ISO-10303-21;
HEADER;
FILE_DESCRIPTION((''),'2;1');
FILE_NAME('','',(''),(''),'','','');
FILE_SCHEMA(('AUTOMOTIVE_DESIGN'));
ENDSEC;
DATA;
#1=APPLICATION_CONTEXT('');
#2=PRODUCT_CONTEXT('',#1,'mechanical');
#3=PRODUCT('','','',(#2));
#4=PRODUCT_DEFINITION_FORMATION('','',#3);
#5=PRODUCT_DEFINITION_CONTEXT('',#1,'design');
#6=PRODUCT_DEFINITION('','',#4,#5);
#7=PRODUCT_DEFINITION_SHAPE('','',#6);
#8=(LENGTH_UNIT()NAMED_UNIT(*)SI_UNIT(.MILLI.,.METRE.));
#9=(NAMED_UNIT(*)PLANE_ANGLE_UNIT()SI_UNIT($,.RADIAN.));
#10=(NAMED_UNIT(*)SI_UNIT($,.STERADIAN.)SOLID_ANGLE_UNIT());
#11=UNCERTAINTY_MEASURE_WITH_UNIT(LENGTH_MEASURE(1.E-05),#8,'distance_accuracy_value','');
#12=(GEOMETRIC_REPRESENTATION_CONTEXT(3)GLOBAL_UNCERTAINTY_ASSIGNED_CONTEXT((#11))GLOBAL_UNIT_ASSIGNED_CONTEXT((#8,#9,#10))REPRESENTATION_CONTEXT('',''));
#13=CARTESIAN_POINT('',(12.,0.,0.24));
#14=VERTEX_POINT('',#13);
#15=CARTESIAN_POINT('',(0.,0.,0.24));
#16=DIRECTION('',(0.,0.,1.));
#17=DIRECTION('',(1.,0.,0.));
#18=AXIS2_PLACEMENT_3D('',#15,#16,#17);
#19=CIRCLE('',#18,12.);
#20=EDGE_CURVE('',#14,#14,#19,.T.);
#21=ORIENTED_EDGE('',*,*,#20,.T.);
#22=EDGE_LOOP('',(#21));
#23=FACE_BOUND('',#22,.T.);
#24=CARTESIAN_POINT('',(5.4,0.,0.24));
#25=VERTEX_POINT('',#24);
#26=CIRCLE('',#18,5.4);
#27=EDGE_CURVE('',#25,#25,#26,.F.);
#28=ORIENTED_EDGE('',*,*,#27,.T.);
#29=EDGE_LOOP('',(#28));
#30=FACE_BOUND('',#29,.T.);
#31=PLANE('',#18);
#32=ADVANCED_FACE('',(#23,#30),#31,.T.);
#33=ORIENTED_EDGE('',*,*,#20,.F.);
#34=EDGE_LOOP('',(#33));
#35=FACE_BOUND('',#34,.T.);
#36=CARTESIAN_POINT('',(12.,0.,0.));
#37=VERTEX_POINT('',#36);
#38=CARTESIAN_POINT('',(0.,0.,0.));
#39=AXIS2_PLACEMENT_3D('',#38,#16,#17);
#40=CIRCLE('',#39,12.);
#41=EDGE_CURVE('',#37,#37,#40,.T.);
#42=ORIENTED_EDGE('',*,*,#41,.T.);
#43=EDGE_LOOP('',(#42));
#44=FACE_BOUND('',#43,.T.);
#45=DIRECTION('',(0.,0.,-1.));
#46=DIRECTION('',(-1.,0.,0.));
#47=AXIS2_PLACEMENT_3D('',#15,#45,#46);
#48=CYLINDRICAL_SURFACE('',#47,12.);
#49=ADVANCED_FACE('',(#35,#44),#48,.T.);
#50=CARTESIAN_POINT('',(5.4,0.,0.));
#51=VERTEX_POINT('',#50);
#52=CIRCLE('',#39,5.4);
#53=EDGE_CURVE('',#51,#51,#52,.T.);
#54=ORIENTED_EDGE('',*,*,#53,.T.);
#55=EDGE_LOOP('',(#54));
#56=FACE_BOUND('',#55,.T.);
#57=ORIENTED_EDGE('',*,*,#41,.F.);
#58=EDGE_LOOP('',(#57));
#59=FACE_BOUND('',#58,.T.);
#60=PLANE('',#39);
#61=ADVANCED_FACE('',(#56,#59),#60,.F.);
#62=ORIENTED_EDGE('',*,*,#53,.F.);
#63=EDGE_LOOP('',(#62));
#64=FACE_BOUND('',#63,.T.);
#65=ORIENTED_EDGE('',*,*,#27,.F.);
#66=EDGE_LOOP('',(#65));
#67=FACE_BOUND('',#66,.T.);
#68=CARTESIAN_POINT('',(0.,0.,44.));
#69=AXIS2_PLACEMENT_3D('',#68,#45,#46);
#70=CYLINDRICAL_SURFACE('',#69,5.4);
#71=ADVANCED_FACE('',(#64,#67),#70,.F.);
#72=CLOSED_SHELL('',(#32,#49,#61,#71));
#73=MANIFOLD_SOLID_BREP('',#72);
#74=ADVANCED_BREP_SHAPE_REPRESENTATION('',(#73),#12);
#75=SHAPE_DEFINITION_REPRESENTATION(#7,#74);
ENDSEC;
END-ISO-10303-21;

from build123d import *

# Parameters (mm, degrees)
ESQUISSE1_R             = 12
BOSS_EXTRU_1_DEPTH      = 0.24
ESQUISSE2_R             = 5.4
ENL_V_MAT_EXTRU_1_DEPTH = 44


with BuildPart() as part:
    # Esquisse1 → Boss.-Extru.1 (new body)
    with BuildSketch(Plane.XY):
        Circle(ESQUISSE1_R)
    extrude(amount=BOSS_EXTRU_1_DEPTH)

    # Esquisse2 → Enlèv. mat.-Extru.1 (cut)
    with BuildSketch(Plane.XY):
        Circle(ESQUISSE2_R)
    extrude(amount=ENL_V_MAT_EXTRU_1_DEPTH, mode=Mode.SUBTRACT)


solid = part.part
